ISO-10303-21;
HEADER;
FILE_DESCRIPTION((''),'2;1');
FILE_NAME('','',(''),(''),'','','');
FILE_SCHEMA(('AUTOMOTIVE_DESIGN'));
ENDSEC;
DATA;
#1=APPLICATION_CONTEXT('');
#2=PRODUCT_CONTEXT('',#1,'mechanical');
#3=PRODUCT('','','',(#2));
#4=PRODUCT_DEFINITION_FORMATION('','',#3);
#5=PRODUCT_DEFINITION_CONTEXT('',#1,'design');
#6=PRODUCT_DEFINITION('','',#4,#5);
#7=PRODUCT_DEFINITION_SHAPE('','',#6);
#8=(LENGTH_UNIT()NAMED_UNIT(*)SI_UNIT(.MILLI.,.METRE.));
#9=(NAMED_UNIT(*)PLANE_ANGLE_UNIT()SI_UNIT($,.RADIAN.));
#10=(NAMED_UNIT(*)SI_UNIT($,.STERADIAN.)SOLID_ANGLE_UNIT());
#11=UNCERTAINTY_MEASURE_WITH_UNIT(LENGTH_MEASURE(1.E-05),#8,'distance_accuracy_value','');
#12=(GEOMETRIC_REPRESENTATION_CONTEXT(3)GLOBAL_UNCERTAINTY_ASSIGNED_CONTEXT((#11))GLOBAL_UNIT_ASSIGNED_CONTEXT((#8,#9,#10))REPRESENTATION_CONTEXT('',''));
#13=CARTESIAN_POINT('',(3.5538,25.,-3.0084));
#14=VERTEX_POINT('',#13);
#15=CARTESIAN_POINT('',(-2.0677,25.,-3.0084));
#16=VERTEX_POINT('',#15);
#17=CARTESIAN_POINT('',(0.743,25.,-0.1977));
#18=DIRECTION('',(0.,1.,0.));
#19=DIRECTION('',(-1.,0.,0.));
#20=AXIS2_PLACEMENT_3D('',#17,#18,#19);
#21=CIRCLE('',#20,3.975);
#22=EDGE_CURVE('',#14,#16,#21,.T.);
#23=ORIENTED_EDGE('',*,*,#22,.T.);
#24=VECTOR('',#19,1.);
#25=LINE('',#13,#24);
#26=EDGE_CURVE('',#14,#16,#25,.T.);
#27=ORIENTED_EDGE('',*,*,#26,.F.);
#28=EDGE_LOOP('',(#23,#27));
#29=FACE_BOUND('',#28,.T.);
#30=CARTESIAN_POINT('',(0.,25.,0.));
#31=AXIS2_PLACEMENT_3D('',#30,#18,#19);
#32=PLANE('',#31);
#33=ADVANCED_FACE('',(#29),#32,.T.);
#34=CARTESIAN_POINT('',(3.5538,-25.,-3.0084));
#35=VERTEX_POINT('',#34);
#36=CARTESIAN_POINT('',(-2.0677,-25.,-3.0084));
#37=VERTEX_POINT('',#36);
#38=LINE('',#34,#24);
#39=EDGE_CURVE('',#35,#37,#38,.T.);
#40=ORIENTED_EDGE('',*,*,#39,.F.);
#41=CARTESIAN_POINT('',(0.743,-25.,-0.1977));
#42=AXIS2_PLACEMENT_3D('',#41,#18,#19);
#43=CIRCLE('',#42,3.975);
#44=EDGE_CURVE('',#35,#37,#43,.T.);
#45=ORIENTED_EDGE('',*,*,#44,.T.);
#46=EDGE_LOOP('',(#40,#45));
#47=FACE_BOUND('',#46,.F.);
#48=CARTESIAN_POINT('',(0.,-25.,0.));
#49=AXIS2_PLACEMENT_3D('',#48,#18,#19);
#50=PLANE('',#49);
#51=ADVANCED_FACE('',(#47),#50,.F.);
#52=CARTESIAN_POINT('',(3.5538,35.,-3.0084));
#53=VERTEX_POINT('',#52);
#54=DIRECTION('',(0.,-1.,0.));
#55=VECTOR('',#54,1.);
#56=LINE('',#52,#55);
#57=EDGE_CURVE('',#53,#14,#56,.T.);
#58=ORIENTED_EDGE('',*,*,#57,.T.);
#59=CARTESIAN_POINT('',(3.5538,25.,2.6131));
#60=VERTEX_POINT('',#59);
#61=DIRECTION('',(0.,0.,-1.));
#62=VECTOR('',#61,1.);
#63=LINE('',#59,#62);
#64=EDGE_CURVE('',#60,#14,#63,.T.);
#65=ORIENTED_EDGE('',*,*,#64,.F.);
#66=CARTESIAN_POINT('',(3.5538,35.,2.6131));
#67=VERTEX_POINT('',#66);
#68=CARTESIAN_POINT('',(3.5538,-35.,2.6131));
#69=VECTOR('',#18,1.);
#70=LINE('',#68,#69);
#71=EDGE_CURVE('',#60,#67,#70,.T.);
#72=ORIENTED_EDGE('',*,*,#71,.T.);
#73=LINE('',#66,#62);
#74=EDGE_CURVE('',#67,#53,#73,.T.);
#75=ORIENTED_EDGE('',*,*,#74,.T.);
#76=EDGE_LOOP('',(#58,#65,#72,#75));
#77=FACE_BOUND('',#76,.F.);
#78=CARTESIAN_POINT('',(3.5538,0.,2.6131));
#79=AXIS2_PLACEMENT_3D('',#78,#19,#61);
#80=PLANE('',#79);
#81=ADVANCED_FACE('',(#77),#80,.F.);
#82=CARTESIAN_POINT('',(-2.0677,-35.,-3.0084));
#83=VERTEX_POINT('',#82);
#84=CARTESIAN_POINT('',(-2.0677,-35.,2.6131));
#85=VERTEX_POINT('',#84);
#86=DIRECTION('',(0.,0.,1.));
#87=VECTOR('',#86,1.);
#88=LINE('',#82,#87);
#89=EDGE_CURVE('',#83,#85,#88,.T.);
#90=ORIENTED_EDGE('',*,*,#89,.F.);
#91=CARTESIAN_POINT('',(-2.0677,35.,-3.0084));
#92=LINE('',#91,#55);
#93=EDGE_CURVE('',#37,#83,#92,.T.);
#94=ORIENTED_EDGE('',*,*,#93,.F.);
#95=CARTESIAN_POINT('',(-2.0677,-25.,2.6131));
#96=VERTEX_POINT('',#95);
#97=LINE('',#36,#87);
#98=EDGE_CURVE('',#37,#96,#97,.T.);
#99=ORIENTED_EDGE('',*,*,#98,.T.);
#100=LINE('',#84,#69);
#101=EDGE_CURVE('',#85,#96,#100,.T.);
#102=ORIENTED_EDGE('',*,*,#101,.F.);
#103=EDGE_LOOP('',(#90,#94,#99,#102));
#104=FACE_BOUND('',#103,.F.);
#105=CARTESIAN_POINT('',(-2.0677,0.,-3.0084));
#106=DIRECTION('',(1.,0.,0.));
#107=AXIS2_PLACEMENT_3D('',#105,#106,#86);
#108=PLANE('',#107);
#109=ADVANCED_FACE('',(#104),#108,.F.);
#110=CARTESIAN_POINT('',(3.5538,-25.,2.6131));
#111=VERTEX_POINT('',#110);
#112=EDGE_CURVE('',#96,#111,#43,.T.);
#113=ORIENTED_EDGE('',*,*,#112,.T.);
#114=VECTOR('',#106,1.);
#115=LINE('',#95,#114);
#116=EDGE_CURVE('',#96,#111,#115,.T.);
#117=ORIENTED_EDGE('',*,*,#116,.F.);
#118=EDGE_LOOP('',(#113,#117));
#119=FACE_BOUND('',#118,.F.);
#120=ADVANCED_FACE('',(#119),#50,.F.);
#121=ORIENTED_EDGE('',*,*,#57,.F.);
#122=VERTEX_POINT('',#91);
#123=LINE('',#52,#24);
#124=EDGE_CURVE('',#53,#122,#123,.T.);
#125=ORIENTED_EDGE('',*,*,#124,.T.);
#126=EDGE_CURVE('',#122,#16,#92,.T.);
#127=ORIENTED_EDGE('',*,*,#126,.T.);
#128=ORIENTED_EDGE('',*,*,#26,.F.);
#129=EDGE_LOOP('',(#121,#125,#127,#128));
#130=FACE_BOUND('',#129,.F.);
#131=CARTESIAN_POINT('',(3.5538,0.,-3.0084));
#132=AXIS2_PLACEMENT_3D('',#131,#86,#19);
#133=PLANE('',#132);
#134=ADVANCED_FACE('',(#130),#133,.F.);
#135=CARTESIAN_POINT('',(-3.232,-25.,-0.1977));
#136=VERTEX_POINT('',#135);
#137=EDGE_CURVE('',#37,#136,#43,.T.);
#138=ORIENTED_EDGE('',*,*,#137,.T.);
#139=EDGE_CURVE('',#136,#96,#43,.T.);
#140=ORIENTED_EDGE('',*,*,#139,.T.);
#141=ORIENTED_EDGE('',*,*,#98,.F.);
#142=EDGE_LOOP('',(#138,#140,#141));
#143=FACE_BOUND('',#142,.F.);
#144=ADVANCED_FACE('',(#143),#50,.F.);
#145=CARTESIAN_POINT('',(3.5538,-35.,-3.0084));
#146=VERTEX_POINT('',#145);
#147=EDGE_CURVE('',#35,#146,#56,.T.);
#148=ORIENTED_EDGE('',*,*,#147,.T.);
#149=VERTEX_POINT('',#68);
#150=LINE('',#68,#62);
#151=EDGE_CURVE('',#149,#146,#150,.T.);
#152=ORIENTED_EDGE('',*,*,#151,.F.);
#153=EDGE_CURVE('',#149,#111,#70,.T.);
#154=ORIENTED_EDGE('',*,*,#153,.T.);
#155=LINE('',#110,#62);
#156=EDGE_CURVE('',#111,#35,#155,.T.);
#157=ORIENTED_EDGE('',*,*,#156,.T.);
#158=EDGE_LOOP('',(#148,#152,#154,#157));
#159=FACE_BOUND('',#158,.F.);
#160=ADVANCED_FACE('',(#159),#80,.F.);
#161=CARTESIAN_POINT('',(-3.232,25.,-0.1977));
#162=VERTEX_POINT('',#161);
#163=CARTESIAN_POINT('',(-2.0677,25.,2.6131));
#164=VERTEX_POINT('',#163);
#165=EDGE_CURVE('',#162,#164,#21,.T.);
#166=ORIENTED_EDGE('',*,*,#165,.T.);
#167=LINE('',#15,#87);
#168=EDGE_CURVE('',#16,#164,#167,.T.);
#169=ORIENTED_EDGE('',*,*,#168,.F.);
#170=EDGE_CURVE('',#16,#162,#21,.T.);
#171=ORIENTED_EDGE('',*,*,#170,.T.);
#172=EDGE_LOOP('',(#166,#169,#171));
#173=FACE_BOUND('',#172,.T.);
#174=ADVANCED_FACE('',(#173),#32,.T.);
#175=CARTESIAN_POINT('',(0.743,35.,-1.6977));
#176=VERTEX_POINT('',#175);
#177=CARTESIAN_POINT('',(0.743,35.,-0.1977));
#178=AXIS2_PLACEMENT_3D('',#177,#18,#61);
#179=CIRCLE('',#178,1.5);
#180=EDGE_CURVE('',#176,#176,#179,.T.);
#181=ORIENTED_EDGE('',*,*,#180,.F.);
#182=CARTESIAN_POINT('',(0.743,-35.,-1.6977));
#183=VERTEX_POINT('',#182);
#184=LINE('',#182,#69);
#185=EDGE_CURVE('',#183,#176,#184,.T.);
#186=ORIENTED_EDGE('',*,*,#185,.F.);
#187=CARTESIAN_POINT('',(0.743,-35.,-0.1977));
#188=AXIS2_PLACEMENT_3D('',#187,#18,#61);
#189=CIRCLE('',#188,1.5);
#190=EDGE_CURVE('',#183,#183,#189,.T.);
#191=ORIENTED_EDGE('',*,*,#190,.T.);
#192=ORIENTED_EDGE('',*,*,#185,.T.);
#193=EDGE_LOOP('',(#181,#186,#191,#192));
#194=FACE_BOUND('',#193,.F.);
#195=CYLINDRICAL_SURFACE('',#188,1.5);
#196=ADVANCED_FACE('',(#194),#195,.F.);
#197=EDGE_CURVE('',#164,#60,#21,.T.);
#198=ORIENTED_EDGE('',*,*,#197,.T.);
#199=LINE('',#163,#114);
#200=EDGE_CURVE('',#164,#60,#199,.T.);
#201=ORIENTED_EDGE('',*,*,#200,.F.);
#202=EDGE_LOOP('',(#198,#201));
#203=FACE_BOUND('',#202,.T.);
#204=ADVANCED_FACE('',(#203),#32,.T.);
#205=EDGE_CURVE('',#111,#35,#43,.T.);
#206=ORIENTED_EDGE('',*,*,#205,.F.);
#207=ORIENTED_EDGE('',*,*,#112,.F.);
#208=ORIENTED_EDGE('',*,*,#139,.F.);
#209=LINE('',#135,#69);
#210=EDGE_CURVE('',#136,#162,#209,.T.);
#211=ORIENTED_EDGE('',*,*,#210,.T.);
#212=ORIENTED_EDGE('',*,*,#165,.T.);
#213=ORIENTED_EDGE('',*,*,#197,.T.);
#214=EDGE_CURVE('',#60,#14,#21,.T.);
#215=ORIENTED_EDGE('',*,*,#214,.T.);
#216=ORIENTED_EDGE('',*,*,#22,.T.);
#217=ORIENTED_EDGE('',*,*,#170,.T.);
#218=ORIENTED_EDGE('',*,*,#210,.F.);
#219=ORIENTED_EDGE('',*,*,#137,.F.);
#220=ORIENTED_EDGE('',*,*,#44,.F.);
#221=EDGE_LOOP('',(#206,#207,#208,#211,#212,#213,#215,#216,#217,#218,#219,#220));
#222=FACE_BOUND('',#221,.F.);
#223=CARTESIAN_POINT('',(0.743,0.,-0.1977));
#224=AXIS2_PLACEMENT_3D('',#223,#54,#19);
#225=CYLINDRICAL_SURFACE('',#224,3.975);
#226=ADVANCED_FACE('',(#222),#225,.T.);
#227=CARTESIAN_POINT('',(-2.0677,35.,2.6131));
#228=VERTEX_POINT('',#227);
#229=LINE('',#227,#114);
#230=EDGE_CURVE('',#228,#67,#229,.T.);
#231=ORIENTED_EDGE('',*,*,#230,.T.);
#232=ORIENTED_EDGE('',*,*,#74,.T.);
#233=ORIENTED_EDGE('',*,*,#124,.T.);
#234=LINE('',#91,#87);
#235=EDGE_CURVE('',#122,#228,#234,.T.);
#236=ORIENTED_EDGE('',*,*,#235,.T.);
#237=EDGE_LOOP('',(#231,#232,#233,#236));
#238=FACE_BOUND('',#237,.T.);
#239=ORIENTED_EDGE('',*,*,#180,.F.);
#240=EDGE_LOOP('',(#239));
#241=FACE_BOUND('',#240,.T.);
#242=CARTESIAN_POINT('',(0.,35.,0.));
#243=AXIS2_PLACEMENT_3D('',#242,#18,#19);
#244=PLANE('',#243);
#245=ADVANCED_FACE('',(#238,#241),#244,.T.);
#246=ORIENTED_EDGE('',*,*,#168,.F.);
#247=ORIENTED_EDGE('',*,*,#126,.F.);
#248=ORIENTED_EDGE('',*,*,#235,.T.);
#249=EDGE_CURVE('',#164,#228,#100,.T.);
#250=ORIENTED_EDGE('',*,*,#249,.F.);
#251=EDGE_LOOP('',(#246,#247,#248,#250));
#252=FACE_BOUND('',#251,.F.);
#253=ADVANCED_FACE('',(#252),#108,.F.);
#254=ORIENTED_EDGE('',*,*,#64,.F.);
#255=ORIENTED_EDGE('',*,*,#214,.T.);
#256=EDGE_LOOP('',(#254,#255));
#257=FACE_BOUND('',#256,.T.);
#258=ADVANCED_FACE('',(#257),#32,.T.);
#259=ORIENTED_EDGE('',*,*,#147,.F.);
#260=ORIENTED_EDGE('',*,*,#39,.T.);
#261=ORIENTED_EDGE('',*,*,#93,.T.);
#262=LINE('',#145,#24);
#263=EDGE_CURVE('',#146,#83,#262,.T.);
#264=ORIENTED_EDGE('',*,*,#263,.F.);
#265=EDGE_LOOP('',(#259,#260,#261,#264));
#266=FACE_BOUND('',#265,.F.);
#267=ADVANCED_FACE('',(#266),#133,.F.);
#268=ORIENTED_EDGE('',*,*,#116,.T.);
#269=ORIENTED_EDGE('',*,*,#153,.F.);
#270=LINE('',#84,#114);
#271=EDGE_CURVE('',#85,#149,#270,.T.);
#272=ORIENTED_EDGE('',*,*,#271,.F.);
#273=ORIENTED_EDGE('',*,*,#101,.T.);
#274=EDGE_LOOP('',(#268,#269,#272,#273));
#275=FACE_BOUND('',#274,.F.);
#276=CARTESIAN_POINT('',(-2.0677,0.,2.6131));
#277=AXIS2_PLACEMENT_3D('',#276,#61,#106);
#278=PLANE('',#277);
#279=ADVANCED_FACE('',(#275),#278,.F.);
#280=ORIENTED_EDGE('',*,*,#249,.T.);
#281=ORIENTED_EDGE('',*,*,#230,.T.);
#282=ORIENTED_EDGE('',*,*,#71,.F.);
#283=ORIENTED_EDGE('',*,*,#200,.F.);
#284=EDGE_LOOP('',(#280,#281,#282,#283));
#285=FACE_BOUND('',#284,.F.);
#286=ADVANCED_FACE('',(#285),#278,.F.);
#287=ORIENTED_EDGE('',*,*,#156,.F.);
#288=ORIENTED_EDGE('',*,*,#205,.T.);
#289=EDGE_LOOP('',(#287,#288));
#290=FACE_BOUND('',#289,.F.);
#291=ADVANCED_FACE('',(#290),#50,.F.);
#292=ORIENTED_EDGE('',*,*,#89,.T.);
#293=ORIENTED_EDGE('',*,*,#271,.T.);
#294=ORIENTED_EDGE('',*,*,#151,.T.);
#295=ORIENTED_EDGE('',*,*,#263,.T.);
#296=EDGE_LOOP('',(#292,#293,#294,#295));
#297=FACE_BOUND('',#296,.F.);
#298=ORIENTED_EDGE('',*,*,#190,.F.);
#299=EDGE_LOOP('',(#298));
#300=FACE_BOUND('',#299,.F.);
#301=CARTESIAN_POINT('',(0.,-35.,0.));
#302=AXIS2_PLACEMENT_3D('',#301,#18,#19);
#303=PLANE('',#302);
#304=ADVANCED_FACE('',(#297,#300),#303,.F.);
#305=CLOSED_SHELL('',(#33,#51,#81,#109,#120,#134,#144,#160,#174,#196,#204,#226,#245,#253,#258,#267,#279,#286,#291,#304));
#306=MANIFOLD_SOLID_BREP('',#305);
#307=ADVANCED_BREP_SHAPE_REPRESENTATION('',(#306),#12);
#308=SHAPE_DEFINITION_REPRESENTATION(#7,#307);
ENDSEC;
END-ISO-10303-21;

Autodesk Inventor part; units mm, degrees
ref_plane "YZ Plane" through (0, 0, 0) normal (1, 0, 0) x (0, 1, 0)
ref_plane "XZ Plane" through (0, 0, 0) normal (0, 1, 0) x (-1, 0, 0)
ref_plane "XY Plane" through (0, 0, 0) normal (0, 0, 1) x (1, 0, 0)
sketch "Sketch1" plane through (0, 0, 0) normal (0, 1, 0) x (-1, 0, 0)
  line L0 (2.0677, 2.6131) -> (-3.5538, 2.6131)
  line L1 (-3.5538, 2.6131) -> (-3.5538, -3.0084)
  line L2 (-3.5538, -3.0084) -> (2.0677, -3.0084)
  line L3 (2.0677, -3.0084) -> (2.0677, 2.6131)
  circle A0 centre (-0.743, -0.1977) radius 3.975
  point P0 (0, 0)
  dimension "d0" = 7.95
extrude "Extrusion1" add sketch "Sketch1" along normal mid plane 50
extrude "Extrusion2" add sketch "Sketch1" along normal mid plane 70 contours L3 L2 L1 L0
hole "Hole1" at (0.743, -35, -0.1977) direction (0, 1, 0) diameter 3 end through all
properties part number "crankshaft_bearing_mounts"
